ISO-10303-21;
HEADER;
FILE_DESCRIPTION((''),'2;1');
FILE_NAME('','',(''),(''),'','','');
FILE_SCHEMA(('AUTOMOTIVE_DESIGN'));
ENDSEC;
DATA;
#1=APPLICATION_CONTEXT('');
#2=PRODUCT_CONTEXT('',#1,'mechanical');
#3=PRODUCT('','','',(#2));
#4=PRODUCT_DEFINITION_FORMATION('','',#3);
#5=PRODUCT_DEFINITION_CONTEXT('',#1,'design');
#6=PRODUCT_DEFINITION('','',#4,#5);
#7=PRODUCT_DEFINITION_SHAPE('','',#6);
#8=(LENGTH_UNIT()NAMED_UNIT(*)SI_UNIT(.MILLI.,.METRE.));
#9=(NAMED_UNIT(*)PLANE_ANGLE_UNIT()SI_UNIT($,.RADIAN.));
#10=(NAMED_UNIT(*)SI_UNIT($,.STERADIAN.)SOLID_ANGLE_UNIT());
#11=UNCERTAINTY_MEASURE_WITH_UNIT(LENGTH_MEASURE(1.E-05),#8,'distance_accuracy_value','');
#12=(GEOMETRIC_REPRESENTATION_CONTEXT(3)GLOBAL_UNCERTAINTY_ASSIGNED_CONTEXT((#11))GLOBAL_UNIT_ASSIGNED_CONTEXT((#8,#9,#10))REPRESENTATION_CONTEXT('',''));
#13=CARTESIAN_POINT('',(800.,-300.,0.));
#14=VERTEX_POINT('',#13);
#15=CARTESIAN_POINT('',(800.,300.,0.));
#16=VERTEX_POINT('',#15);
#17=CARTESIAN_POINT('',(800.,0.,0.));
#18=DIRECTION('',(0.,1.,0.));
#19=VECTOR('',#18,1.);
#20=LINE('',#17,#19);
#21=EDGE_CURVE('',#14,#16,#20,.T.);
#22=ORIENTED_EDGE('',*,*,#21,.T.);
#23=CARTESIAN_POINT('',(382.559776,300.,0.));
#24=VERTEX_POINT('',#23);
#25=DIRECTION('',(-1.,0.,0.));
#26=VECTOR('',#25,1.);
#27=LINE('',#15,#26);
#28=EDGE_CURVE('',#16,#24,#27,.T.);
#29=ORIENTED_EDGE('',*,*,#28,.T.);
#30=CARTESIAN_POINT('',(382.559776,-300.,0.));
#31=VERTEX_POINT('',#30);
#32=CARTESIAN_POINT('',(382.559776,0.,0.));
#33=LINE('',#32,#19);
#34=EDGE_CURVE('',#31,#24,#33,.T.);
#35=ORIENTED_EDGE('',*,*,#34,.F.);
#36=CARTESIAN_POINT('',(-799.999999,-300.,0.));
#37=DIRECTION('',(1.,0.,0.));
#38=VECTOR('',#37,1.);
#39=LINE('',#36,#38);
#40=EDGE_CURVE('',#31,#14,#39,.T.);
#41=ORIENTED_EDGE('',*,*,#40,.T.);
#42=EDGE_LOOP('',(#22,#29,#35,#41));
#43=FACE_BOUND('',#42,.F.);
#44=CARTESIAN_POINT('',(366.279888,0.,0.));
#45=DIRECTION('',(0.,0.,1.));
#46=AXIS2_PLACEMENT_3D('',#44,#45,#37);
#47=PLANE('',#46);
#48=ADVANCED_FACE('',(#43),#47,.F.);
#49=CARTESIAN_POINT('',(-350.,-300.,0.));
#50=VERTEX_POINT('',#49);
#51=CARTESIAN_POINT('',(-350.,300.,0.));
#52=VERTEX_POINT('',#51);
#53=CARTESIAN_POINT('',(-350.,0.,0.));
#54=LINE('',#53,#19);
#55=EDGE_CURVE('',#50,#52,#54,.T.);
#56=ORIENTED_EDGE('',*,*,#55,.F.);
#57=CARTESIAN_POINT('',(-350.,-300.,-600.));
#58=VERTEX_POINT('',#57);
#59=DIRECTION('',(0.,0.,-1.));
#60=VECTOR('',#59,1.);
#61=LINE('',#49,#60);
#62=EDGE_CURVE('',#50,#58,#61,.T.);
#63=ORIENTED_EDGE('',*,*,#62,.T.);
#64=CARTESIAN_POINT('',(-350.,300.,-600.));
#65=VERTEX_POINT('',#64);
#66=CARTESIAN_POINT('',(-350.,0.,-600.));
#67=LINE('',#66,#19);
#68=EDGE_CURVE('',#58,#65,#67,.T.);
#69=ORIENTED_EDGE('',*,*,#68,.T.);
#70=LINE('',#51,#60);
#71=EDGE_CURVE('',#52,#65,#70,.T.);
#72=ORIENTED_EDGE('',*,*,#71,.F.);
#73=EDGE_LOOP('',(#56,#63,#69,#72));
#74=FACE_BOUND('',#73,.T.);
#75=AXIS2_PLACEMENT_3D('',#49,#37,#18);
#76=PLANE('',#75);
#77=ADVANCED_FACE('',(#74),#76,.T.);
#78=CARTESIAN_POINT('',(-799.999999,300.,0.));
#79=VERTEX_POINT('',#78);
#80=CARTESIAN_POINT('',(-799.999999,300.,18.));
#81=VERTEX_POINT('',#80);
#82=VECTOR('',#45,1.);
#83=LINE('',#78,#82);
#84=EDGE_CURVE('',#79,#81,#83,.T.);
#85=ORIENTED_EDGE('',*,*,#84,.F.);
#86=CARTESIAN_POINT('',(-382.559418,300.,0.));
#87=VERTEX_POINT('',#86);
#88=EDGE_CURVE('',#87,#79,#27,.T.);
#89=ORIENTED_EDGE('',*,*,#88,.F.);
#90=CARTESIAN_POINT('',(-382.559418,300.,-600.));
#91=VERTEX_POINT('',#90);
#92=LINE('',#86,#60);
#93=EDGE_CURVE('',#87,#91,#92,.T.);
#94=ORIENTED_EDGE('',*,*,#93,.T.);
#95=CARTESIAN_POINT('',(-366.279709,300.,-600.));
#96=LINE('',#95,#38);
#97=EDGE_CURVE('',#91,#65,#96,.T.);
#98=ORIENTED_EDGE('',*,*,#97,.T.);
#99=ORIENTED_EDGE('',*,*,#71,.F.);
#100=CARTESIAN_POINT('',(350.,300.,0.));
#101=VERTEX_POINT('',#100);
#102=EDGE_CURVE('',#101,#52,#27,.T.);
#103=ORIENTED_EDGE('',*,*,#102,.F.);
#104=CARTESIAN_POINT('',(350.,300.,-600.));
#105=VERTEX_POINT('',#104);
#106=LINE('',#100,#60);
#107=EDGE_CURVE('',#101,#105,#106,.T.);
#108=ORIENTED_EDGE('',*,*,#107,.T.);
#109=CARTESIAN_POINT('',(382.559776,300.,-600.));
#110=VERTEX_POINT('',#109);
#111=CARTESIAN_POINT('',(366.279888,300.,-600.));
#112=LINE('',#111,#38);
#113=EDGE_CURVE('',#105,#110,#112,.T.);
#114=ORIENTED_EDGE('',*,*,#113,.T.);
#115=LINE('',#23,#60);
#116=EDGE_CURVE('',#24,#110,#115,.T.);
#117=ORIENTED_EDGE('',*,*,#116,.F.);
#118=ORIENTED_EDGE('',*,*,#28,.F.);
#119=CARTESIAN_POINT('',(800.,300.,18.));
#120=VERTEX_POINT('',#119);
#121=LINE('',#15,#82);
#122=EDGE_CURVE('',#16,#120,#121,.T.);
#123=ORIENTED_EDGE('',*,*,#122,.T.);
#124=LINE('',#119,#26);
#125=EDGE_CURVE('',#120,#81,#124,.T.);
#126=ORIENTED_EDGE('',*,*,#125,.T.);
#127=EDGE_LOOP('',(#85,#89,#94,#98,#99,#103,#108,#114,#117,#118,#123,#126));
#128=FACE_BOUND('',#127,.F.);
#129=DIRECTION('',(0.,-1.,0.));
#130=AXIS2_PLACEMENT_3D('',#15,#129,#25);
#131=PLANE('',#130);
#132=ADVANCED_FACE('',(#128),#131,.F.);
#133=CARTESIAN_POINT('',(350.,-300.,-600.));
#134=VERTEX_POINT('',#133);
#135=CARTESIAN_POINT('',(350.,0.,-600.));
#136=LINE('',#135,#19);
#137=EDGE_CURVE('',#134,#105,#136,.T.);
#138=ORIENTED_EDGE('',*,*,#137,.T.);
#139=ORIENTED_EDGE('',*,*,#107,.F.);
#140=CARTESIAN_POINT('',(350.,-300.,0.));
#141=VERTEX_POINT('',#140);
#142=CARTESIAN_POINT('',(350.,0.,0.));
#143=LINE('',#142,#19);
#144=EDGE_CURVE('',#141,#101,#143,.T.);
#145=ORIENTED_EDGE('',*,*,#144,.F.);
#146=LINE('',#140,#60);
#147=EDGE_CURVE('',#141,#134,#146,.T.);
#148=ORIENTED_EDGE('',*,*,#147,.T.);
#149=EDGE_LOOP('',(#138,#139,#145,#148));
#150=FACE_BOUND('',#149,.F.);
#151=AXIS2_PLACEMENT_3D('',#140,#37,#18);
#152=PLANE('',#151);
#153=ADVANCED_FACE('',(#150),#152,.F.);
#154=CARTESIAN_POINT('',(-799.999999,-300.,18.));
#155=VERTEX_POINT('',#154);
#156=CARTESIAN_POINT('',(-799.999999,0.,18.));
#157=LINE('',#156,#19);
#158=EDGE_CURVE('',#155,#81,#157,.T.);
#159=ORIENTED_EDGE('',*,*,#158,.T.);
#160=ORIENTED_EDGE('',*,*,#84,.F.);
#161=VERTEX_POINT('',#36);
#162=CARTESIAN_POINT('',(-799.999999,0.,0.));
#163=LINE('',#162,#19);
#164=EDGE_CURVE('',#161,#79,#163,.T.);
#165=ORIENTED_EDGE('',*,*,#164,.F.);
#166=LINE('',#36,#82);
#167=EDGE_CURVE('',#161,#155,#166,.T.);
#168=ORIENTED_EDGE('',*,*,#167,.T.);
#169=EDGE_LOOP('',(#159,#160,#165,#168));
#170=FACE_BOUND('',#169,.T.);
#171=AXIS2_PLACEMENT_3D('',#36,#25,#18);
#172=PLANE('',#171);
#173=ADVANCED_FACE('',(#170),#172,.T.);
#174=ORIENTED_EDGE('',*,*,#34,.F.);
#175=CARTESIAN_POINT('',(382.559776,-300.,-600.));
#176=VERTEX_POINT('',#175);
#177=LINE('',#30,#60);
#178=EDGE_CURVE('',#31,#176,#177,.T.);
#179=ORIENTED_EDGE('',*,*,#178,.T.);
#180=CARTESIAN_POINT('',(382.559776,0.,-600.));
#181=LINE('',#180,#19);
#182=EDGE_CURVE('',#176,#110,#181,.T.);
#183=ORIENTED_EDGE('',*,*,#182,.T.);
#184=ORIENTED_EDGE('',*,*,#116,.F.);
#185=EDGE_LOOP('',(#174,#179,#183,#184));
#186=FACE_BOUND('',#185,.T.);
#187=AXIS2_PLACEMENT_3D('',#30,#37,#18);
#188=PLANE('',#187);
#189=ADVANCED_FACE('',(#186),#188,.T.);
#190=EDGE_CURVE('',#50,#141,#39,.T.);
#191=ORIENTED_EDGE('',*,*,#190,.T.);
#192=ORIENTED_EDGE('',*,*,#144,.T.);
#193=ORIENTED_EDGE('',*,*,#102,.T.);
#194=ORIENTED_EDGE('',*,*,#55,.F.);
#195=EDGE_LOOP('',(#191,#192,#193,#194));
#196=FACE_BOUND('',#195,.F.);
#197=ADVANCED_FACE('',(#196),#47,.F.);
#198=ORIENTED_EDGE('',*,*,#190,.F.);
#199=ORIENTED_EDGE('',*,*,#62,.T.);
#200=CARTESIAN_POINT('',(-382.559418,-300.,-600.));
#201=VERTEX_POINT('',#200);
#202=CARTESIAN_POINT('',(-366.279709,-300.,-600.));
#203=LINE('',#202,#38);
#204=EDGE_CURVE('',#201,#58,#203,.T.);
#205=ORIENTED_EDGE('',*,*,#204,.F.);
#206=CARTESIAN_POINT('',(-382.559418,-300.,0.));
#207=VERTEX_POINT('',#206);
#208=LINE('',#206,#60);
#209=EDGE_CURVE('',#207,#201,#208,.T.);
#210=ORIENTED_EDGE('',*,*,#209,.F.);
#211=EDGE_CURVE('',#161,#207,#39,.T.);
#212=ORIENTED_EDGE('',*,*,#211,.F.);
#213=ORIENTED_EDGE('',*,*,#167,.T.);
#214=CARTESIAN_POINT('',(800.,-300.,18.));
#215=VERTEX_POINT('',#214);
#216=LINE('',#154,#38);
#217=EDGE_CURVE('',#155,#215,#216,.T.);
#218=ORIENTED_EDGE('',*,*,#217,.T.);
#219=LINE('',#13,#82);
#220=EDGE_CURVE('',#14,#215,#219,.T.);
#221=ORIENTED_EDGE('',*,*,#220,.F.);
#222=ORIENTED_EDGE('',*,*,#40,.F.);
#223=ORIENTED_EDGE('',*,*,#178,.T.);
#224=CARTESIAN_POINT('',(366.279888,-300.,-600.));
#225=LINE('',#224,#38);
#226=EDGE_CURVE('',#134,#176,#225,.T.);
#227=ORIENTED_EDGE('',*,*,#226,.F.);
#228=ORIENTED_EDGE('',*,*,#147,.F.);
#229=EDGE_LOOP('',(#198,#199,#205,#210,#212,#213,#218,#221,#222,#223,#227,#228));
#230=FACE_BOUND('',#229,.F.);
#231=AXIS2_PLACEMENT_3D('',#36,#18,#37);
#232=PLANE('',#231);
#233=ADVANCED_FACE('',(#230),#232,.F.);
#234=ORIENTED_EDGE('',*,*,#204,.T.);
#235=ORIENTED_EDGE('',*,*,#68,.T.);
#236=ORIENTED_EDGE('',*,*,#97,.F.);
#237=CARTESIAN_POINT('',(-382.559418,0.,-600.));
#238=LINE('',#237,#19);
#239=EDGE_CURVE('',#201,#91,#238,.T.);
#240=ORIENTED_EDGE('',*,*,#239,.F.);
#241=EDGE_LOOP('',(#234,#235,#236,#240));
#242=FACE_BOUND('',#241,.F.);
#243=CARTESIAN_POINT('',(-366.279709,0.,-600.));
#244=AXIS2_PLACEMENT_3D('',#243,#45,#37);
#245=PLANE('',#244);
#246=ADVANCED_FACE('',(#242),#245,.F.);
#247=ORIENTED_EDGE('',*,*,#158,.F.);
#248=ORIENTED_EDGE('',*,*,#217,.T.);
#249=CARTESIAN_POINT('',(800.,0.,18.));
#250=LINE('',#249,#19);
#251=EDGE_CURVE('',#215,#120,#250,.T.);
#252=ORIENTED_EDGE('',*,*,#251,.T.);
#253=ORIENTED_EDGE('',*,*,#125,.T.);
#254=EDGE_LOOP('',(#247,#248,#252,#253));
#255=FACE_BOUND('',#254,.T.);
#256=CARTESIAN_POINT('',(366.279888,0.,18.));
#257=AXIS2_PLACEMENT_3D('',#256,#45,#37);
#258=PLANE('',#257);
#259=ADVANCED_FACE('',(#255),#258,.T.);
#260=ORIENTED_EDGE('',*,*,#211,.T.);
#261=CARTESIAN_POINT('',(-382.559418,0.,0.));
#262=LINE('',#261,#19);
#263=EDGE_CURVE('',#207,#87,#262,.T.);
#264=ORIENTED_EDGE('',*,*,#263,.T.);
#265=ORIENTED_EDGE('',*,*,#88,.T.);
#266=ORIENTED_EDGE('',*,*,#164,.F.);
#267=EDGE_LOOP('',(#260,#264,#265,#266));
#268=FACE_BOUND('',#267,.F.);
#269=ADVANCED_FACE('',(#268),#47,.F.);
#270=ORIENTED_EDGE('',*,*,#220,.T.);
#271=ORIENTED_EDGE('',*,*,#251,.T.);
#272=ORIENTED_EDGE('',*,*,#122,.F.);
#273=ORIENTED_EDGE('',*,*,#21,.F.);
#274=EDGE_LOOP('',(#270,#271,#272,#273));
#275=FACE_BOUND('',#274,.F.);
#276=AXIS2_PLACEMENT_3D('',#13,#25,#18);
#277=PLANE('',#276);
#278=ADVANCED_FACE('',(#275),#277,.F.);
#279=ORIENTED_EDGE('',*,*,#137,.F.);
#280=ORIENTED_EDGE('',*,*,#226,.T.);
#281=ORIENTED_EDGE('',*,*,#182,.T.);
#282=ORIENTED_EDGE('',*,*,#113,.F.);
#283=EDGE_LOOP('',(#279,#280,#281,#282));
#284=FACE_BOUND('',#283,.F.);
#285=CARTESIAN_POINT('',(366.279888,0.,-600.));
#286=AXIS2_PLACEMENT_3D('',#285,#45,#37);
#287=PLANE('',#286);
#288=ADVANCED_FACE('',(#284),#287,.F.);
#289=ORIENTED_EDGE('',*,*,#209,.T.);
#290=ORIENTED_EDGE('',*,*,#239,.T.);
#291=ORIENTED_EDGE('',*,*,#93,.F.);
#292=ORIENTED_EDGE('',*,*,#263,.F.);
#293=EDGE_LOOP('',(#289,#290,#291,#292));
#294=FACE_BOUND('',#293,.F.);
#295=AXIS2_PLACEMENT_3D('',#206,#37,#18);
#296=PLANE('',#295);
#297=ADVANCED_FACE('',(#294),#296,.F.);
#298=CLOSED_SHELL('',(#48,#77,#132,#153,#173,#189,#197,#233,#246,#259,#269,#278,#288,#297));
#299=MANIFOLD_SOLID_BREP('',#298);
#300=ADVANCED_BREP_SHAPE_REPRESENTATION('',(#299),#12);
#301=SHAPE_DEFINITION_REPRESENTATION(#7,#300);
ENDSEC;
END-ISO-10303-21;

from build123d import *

# Parameters (mm, degrees)
F0_W     = 32.559776
F0_H     = 600
F0_W_2   = 417.440581
F0_W_3   = 32.559419
F0_W_4   = 417.440224
F0_W_5   = 700
F1_DEPTH = 18
F2_DEPTH = 600


with BuildPart() as f1:
    # F0 (on Top) → F1 (new body)
    with BuildSketch(Plane.XY):
        with Locations((366.279888, 0)):
            Rectangle(F0_W, F0_H)
        with Locations((-591.279709, 0)):
            Rectangle(F0_W_2, F0_H)
        with Locations((-366.279709, 0)):
            Rectangle(F0_W_3, F0_H)
        with Locations((591.279888, 0)):
            Rectangle(F0_W_4, F0_H)
        Rectangle(F0_W_5, F0_H)
    extrude(amount=F1_DEPTH)

    # F0 (on Top) → F2 (join)
    with BuildSketch(Plane.XY):
        with Locations((-366.279709, 0)):
            Rectangle(F0_W_3, F0_H)
        with Locations((366.279888, 0)):
            Rectangle(F0_W, F0_H)
    extrude(amount=-F2_DEPTH)


solid = f1.part
